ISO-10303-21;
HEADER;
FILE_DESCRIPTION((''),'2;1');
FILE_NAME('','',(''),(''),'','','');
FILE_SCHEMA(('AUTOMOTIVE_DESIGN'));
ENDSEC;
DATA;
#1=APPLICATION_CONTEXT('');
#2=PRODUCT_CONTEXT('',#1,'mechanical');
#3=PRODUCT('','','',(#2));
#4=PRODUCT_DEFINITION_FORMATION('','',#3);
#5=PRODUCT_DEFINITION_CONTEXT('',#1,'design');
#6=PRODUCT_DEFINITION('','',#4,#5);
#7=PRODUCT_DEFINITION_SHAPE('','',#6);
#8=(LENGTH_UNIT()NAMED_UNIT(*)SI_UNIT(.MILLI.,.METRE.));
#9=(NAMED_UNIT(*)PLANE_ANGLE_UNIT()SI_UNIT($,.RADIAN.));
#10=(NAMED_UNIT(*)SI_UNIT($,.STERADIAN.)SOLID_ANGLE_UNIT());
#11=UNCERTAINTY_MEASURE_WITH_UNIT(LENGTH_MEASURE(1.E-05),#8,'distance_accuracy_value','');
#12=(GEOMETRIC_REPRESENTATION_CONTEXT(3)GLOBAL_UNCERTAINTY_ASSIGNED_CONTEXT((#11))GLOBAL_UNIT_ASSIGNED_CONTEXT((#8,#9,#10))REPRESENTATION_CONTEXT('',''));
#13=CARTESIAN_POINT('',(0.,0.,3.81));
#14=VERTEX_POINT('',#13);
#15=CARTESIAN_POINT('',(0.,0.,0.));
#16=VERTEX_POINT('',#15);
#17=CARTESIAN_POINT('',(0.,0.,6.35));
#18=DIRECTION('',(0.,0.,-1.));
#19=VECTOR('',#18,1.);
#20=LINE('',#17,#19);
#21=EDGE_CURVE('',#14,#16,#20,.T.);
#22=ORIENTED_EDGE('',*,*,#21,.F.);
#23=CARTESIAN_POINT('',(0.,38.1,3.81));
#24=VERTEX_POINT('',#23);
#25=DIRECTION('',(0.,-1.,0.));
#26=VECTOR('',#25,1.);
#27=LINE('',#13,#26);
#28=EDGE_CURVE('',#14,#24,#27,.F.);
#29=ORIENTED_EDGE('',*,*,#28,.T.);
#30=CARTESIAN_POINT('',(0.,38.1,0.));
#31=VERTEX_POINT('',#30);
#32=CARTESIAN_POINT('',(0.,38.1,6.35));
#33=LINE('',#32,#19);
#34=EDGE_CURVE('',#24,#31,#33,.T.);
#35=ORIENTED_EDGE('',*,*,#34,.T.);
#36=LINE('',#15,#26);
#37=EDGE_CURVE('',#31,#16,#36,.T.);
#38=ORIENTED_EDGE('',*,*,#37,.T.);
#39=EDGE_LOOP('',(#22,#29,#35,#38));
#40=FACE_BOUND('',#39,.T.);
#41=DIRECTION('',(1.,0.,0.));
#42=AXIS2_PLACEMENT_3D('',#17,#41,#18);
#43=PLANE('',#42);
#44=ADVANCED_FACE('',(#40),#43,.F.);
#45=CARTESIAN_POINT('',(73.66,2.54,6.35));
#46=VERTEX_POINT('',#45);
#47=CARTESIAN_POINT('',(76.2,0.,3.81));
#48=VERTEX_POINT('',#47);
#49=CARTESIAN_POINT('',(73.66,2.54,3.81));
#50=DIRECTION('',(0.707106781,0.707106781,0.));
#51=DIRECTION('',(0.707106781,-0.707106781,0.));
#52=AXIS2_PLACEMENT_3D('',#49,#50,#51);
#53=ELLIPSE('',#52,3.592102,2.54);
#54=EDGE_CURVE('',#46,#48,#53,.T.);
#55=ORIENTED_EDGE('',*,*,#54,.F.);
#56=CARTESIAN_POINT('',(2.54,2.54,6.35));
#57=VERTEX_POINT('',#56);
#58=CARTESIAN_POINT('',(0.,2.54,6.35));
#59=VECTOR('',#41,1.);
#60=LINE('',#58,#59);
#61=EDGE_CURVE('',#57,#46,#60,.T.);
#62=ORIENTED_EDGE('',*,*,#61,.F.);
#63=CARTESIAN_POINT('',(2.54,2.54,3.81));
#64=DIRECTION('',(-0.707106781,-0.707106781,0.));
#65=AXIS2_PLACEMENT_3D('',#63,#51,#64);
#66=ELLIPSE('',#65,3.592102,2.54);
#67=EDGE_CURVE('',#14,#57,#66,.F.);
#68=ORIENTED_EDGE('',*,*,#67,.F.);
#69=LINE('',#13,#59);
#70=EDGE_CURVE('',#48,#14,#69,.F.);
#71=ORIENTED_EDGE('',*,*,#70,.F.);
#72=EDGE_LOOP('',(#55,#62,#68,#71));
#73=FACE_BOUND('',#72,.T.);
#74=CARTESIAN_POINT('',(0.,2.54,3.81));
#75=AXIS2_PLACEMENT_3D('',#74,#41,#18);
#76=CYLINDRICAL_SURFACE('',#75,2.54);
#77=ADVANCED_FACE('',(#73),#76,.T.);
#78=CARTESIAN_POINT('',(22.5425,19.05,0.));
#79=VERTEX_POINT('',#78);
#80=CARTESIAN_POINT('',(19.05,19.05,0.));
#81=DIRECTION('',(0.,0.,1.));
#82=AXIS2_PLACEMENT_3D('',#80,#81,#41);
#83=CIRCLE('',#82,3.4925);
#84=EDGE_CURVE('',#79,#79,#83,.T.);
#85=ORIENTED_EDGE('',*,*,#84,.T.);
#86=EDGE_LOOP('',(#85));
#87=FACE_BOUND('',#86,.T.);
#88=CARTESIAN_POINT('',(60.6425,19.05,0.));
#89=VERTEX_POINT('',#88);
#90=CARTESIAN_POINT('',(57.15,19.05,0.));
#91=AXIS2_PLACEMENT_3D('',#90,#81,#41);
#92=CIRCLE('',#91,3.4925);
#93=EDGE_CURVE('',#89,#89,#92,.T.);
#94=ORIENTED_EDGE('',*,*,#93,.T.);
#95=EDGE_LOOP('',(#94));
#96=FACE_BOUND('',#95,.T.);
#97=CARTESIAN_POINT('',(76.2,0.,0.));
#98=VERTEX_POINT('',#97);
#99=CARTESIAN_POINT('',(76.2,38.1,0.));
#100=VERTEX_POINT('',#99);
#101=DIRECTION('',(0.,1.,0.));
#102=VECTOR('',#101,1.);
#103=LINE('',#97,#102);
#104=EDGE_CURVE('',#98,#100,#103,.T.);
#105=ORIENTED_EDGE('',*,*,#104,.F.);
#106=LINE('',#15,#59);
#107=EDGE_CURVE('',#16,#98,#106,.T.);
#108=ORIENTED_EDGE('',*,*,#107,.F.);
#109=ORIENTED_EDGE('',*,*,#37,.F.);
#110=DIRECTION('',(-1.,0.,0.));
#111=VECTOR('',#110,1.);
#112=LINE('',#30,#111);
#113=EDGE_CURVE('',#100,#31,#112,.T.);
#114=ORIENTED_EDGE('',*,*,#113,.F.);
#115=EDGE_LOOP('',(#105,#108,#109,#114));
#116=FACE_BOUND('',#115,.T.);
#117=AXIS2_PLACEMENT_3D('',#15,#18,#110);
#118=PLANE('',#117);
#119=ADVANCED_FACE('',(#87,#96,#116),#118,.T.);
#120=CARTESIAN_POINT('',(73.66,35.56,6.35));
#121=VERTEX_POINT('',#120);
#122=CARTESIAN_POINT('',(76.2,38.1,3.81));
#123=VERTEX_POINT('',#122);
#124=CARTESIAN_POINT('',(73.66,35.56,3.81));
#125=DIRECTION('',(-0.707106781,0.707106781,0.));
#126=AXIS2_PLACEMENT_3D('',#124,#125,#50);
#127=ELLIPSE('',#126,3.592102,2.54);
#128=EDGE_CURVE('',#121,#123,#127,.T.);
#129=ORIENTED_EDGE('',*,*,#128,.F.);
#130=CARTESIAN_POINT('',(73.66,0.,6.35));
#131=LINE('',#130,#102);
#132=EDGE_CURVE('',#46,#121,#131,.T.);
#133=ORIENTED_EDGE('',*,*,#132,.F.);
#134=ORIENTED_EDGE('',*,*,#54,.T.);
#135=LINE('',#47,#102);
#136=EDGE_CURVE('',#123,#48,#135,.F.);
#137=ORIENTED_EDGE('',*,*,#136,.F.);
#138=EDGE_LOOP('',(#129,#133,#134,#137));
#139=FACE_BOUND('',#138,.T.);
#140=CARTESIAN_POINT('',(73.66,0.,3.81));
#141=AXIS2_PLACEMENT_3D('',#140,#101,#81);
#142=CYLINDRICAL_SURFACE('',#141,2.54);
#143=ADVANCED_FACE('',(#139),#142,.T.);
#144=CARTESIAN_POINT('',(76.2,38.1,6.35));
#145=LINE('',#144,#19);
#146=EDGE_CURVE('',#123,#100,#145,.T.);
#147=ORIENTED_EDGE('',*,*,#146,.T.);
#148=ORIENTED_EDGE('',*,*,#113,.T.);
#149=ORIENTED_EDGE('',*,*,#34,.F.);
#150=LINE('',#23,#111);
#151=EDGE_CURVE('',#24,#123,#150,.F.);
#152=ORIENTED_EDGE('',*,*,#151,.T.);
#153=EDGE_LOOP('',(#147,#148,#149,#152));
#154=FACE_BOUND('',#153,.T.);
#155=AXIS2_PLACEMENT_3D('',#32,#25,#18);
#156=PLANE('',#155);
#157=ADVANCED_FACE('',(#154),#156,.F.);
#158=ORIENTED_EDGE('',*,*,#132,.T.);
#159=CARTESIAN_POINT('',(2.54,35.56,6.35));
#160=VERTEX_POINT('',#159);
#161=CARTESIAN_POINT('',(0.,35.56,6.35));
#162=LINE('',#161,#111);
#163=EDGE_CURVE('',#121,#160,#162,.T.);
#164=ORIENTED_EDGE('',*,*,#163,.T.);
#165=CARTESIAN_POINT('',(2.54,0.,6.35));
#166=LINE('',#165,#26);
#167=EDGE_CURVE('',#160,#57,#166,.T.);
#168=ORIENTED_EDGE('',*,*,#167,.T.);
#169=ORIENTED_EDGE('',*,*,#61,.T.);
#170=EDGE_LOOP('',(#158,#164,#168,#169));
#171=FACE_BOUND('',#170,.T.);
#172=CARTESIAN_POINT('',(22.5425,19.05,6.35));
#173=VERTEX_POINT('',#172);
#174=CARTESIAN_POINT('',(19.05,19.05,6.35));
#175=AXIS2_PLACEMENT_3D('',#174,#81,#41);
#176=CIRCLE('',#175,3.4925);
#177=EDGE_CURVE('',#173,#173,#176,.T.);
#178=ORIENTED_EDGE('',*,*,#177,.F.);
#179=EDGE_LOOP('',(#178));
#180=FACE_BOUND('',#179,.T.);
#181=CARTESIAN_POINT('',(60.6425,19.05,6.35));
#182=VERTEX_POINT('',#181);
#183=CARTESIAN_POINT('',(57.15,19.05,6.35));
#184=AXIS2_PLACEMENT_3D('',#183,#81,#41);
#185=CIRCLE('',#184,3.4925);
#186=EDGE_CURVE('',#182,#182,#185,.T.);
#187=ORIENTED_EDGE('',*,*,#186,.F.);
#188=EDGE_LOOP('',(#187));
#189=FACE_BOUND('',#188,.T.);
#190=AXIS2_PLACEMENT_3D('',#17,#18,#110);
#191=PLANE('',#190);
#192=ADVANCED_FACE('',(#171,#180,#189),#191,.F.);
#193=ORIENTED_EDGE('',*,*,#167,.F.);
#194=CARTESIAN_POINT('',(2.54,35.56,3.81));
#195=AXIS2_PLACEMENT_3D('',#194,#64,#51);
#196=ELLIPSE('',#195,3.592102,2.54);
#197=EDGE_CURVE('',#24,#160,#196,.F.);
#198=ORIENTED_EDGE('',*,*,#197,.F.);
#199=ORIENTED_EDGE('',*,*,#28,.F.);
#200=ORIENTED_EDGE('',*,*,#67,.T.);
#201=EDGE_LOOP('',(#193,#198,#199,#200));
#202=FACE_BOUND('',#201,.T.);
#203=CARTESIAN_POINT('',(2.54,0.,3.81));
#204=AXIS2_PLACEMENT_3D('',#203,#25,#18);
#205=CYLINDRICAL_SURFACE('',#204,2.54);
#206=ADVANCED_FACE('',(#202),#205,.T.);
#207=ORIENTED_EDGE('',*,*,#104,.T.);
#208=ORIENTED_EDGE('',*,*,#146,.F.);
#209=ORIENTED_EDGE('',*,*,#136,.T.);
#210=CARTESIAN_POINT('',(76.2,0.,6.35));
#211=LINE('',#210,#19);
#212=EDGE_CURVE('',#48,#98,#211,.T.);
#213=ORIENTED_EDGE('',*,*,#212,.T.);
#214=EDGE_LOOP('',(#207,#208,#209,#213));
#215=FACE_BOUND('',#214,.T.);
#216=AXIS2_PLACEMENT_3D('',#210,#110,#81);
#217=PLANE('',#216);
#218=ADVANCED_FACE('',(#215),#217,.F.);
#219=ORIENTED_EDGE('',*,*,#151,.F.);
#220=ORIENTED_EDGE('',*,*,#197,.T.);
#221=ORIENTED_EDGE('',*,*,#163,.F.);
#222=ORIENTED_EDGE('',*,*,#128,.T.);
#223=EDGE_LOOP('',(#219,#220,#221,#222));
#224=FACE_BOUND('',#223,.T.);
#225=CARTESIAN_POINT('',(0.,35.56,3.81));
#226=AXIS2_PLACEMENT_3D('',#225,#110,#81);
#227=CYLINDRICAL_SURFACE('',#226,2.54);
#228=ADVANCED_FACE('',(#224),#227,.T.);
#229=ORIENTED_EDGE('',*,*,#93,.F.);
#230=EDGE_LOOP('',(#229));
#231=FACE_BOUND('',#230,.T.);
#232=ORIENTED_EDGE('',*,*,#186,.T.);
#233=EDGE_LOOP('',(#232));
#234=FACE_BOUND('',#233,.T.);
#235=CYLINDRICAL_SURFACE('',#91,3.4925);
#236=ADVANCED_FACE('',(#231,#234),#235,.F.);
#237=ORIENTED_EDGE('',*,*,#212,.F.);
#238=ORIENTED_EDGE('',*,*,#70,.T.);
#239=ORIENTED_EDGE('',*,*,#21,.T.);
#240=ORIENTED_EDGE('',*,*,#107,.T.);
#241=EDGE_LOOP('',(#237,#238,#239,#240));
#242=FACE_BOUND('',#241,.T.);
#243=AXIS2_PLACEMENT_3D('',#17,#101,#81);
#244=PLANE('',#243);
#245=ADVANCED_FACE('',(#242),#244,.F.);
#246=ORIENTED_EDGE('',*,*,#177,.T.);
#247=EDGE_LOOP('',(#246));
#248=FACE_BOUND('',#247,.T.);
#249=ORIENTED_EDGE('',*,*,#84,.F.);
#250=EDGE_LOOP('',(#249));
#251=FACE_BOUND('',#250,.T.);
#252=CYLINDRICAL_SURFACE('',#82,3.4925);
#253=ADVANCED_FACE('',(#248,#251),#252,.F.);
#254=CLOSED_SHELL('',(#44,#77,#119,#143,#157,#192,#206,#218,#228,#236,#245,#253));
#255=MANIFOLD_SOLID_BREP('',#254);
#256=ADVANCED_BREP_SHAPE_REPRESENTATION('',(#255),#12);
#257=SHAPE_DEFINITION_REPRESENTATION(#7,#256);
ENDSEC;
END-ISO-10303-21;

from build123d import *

# Parameters (mm, degrees)
SKETCH1_W           = 76.2
SKETCH1_H           = 38.1
BOSS_EXTRUDE1_DEPTH = 6.35
FILLET1_R           = 2.54
SKETCH2_R           = 3.4925
CUT_EXTRUDE1_DEPTH  = 6.35


with BuildPart() as part:
    # Sketch1 → Boss-Extrude1 (new body)
    with BuildSketch(Plane.XY):
        with Locations((38.1, 19.05)):
            Rectangle(SKETCH1_W, SKETCH1_H)
    extrude(amount=BOSS_EXTRUDE1_DEPTH)

    # Fillet1
    fillet1_edges = [part.edges().sort_by_distance(p)[0] for p in [
        (76.2, 19.05, 6.35),
        (38.1, 38.1, 6.35),
        (0, 19.05, 6.35),
        (38.1, 0, 6.35),
    ]]
    fillet(fillet1_edges, radius=FILLET1_R)

    # Sketch2 → Cut-Extrude1 (cut)
    with BuildSketch(Plane.XY.offset(6.35)):
        with Locations((19.05, 19.05)):
            Circle(SKETCH2_R)
        with Locations((57.15, 19.05)):
            Circle(SKETCH2_R)
    extrude(amount=-CUT_EXTRUDE1_DEPTH, mode=Mode.SUBTRACT)


solid = part.part
